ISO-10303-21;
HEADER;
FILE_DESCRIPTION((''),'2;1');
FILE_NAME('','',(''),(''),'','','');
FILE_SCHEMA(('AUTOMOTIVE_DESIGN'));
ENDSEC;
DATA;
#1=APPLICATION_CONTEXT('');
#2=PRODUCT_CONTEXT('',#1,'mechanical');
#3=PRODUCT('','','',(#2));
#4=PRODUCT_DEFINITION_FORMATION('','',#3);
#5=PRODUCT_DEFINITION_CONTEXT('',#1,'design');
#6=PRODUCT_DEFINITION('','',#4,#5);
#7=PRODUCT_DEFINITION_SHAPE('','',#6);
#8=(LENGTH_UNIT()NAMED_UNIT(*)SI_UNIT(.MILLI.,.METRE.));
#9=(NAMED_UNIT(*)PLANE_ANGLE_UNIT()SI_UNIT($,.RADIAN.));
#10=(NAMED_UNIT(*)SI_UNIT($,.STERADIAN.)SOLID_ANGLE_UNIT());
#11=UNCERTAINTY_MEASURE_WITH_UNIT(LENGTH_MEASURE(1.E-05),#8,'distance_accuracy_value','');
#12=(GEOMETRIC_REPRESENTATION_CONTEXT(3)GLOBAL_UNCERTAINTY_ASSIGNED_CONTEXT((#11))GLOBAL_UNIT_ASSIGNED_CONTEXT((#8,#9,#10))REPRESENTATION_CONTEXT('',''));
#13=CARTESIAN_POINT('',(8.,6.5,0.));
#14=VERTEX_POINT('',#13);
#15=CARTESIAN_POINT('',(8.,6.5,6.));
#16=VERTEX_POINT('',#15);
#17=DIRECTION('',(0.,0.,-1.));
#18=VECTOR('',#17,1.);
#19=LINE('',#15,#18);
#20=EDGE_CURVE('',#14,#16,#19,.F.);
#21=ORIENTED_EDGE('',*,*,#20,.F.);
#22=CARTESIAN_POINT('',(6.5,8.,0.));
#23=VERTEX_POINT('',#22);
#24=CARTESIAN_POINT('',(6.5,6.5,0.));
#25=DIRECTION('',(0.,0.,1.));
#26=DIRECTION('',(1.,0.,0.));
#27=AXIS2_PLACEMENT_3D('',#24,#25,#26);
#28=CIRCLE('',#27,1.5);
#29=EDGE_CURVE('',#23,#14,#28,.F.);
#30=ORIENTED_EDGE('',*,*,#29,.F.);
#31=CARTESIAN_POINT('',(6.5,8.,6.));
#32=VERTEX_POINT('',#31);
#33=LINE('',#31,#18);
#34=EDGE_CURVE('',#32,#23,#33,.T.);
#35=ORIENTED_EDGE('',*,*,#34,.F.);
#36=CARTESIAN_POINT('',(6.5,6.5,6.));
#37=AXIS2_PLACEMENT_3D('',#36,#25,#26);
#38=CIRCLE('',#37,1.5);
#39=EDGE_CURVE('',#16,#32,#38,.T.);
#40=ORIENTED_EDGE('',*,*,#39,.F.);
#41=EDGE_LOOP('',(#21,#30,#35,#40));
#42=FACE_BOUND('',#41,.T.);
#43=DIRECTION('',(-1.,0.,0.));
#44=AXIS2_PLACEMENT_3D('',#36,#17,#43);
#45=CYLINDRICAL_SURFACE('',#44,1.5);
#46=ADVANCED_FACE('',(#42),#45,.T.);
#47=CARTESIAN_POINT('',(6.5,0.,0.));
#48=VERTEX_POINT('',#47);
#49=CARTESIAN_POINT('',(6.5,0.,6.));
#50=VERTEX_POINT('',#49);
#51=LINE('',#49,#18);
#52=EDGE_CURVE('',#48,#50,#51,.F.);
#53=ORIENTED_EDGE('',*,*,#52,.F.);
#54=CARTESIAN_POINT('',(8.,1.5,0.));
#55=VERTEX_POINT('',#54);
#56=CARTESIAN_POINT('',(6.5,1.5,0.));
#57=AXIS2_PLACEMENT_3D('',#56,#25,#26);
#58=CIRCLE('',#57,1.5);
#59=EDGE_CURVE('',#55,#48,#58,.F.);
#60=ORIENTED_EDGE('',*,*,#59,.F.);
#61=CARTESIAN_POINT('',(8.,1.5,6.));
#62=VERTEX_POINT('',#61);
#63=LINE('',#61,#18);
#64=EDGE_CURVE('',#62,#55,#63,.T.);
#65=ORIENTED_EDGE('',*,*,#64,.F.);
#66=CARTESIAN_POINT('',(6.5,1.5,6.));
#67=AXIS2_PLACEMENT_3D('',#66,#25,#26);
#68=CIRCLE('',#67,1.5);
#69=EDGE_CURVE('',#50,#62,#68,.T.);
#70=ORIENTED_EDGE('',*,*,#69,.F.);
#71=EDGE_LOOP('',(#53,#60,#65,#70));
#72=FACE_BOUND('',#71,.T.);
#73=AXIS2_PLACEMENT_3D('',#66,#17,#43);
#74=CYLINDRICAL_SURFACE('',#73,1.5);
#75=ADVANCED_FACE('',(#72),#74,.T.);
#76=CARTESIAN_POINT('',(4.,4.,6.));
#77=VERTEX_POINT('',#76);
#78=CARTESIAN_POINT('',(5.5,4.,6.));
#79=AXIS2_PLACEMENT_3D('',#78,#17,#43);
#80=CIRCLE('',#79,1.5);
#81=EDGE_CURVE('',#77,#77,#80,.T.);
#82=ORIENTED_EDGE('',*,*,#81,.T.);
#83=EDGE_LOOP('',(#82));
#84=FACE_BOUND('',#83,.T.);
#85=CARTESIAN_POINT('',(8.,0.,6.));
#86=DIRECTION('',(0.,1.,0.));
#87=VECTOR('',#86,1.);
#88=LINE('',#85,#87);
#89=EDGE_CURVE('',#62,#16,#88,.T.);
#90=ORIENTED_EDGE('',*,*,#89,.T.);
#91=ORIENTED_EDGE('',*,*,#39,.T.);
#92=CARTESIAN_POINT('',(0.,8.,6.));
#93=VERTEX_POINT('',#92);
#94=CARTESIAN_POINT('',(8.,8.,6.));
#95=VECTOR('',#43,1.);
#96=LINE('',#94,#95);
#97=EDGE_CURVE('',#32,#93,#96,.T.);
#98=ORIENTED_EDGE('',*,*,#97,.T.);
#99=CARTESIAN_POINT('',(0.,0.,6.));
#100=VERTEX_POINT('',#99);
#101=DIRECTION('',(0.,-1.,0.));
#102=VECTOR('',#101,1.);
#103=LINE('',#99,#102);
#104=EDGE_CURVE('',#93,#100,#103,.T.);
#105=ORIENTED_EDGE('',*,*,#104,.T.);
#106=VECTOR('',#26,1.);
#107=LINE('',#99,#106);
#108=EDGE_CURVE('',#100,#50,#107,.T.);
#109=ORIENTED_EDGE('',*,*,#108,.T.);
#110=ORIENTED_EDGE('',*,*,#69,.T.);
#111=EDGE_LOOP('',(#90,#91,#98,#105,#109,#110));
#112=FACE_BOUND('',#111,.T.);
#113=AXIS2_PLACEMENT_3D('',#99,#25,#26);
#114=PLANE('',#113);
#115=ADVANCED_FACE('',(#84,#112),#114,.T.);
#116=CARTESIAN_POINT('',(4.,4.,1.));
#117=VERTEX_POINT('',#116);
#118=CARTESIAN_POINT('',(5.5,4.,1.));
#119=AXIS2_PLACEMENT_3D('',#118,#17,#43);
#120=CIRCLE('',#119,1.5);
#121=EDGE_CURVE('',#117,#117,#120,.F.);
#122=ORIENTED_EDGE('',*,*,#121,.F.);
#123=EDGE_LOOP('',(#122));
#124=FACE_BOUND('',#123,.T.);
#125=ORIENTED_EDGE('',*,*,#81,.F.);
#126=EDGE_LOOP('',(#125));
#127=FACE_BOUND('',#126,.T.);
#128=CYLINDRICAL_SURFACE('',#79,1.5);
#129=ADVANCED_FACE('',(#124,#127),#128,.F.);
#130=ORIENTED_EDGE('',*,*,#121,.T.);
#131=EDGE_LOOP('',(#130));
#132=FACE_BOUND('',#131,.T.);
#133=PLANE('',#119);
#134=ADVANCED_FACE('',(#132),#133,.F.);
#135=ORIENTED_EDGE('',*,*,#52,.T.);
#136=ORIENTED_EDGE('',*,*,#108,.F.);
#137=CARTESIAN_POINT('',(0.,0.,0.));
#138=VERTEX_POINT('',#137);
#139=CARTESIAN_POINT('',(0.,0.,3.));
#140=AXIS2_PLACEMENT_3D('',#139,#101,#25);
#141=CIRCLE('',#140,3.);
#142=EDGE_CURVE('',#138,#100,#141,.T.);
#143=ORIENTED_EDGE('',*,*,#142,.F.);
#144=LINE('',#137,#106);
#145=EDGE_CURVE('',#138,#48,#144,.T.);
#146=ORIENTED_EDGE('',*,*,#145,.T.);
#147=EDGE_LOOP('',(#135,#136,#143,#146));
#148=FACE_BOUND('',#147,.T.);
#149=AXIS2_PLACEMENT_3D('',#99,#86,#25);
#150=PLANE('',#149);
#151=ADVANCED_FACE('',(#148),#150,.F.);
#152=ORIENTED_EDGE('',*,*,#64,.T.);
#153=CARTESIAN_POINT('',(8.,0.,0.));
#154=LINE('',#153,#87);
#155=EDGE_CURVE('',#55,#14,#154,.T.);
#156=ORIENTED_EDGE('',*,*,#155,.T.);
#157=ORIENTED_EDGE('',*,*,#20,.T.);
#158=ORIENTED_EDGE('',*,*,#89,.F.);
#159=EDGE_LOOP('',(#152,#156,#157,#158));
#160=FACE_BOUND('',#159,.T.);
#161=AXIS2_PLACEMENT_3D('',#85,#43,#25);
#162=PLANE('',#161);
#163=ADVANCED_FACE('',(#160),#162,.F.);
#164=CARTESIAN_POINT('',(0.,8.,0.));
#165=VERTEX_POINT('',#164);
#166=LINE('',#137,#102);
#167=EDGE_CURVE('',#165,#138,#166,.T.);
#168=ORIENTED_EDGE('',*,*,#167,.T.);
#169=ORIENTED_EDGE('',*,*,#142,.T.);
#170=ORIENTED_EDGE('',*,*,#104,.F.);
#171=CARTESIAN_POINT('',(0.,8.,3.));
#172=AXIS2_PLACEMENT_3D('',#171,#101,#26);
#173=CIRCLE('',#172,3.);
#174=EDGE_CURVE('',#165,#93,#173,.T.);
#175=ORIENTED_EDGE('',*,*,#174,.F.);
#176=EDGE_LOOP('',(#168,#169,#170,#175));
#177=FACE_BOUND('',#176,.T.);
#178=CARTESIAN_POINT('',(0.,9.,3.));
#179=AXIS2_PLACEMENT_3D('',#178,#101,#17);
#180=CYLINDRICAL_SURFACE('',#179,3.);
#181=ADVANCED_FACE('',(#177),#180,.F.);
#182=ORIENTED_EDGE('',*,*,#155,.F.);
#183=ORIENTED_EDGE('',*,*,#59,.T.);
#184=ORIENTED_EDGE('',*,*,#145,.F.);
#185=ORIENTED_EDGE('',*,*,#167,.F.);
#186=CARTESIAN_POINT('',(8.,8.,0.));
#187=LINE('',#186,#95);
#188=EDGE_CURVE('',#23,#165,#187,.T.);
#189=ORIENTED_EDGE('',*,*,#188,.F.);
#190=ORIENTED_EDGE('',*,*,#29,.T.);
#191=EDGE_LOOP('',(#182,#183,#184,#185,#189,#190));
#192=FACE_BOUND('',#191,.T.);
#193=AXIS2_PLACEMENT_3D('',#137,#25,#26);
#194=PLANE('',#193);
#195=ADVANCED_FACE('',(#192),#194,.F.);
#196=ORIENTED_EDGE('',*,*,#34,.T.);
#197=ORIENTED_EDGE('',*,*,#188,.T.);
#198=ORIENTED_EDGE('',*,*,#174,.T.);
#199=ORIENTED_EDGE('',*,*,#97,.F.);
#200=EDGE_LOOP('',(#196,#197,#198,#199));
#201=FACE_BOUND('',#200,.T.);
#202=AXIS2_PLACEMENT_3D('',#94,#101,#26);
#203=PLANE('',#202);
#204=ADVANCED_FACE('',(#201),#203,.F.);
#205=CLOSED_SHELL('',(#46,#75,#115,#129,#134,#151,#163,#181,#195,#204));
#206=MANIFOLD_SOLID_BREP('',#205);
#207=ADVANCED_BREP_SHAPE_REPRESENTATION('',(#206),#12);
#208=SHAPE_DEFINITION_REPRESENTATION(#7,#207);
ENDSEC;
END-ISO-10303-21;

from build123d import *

# Parameters (mm, degrees)
SKETCH1_W           = 8
SKETCH1_H           = 8
BOSS_EXTRUDE1_DEPTH = 6
SKETCH2_R           = 1.5
CUT_EXTRUDE1_DEPTH  = 6
CUT_EXTRUDE3_DEPTH  = 9
SKETCH4_R           = 1.5
BOSS_EXTRUDE3_DEPTH = 1
FILLET1_R           = 1.5


with BuildPart() as part:
    # Sketch1 → Boss-Extrude1 (new body)
    with BuildSketch(Plane.XY):
        with Locations((4, 4)):
            Rectangle(SKETCH1_W, SKETCH1_H)
    extrude(amount=BOSS_EXTRUDE1_DEPTH)

    # Sketch2 → Cut-Extrude1 (cut)
    with BuildSketch(Plane(origin=(0, 0, 0), x_dir=(-1, 0, 0), z_dir=(0, 0, -1))):
        with Locations((-5.5, 4)):
            Circle(SKETCH2_R)
    extrude(amount=-CUT_EXTRUDE1_DEPTH, mode=Mode.SUBTRACT)

    # Sketch3 → Cut-Extrude3 (cut)
    with BuildSketch(Plane.XZ):
        with BuildLine():
            Line((0, 6), (0, 0))
            ThreePointArc((0, 0), (3, 3), (0, 6))
        make_face()
    extrude(amount=-CUT_EXTRUDE3_DEPTH, mode=Mode.SUBTRACT)

    # Sketch4 → Boss-Extrude3 (add)
    with BuildSketch(Plane(origin=(0, 0, 0), x_dir=(-1, 0, 0), z_dir=(0, 0, -1))):
        with Locations((-5.5, 4)):
            Circle(SKETCH4_R)
    extrude(amount=-BOSS_EXTRUDE3_DEPTH)

    # Fillet1
    fillet1_edges = [part.edges().sort_by_distance(p)[0] for p in [
        (8, 8, 3),
        (8, 0, 3),
    ]]
    fillet(fillet1_edges, radius=FILLET1_R)


solid = part.part
